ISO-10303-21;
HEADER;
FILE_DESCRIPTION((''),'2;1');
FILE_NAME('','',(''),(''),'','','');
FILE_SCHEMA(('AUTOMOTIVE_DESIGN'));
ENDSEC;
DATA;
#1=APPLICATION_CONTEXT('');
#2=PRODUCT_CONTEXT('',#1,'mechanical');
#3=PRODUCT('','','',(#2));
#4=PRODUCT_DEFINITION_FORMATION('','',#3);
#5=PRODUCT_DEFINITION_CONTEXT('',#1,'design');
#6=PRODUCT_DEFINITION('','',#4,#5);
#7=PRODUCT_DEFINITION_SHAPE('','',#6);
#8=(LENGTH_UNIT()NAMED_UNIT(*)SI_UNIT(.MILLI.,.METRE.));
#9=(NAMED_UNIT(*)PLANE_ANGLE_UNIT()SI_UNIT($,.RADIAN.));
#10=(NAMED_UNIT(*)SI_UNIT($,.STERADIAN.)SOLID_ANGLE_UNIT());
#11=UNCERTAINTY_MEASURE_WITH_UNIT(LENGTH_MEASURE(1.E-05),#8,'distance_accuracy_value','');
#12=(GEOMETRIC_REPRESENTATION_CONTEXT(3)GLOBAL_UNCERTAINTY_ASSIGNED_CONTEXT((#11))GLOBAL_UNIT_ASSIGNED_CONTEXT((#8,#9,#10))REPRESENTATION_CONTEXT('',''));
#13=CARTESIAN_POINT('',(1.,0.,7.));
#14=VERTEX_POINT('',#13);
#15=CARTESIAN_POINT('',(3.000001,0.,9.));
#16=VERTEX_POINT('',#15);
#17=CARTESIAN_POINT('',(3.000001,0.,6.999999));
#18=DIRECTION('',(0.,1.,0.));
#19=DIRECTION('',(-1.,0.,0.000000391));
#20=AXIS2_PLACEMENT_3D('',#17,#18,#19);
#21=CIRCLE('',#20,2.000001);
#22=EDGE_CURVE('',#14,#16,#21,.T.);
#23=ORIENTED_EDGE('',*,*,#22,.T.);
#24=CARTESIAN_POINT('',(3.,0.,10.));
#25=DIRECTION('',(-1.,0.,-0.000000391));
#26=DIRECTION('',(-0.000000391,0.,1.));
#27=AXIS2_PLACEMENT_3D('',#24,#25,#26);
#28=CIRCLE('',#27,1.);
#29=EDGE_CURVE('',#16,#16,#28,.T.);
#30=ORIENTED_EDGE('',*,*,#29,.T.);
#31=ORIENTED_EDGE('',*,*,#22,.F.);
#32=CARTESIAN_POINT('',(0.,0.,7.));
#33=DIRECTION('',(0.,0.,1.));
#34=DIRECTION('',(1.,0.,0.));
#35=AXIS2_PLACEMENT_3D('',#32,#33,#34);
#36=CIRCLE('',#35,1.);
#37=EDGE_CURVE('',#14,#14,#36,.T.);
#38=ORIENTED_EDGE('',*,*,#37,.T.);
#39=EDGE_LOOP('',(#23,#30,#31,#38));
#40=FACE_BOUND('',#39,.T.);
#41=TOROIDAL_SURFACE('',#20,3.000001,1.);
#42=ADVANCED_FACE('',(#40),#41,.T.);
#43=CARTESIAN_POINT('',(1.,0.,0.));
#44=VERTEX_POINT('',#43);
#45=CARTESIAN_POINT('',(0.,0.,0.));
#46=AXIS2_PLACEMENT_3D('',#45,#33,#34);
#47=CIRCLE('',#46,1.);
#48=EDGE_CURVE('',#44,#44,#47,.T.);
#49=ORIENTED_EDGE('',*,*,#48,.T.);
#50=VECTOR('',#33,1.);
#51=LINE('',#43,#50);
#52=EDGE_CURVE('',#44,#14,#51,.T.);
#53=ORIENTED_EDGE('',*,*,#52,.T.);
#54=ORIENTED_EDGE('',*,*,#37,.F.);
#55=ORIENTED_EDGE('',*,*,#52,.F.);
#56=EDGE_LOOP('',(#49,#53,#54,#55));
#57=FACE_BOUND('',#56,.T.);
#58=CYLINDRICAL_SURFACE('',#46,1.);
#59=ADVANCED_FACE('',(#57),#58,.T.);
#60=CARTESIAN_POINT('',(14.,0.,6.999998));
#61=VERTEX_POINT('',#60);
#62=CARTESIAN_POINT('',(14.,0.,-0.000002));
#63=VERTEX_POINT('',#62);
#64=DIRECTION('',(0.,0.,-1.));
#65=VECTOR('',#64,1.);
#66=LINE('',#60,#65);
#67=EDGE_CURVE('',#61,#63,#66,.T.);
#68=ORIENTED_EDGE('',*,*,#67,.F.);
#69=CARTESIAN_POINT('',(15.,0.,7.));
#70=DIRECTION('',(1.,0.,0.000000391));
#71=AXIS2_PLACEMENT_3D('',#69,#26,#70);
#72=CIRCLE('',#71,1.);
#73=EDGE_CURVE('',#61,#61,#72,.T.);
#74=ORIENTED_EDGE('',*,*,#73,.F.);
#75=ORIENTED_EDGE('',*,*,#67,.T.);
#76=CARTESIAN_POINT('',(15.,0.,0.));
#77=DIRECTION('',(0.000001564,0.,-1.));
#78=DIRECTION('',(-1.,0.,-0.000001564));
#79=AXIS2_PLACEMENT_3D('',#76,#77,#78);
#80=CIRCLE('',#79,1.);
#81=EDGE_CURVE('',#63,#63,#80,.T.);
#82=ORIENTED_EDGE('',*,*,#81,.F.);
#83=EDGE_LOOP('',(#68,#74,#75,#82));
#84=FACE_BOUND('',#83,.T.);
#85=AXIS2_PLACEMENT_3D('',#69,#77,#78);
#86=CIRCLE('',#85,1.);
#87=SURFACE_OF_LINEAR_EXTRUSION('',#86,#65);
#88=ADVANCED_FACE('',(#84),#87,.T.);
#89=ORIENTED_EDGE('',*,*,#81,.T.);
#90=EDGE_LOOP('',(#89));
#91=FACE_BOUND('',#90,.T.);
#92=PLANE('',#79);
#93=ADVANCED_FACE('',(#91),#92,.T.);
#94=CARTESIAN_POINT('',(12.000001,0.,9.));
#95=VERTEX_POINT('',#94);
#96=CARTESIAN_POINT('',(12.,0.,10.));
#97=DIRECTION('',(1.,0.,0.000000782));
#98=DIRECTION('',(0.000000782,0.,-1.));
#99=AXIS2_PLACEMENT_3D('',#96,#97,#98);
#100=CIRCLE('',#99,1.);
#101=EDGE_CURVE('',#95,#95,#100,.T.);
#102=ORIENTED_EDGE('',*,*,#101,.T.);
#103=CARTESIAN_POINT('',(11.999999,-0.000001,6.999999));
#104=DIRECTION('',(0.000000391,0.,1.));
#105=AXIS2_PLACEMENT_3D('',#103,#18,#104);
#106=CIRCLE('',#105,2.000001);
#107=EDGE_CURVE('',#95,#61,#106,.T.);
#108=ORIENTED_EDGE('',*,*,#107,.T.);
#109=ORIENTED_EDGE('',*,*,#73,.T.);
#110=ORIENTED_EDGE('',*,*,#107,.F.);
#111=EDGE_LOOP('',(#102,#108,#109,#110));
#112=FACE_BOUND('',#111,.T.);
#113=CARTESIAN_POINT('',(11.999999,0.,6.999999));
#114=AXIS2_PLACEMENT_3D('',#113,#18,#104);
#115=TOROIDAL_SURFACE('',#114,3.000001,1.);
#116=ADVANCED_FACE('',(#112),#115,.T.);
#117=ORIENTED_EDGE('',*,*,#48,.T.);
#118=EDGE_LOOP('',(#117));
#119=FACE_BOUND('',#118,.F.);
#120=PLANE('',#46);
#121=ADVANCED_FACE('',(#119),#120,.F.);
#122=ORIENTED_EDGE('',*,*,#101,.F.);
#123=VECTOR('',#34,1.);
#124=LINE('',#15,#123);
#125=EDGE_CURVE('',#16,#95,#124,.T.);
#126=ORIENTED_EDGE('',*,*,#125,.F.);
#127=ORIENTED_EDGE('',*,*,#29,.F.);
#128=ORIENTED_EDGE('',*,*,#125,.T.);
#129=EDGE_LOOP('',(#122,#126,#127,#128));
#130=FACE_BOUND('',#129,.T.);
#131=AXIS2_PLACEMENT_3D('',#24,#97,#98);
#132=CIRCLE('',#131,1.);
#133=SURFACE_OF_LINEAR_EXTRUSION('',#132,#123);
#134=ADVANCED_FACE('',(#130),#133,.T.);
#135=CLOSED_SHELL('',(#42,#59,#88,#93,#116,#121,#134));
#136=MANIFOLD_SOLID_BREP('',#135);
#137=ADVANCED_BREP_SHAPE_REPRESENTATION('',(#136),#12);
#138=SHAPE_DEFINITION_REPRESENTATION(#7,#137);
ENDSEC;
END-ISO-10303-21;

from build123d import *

# Parameters (mm, degrees)
F1_R = 1


with BuildPart() as f2:
    # F2: sweep along a path in F0
    with BuildLine(Plane.XZ) as f2_path:
        Line((0, 0), (0, 7))
        ThreePointArc((0, 7), (0.87868, 9.12132), (3, 10))
        Line((3, 10), (12, 10))
        ThreePointArc((12, 10), (14.12132, 9.12132), (15, 7))
        Line((15, 7), (15, 0))
    # F1 (on Top) → F2 (sweep)
    with BuildSketch(Plane.XY):
        Circle(F1_R)
    sweep(path=f2_path.line)


solid = f2.part
